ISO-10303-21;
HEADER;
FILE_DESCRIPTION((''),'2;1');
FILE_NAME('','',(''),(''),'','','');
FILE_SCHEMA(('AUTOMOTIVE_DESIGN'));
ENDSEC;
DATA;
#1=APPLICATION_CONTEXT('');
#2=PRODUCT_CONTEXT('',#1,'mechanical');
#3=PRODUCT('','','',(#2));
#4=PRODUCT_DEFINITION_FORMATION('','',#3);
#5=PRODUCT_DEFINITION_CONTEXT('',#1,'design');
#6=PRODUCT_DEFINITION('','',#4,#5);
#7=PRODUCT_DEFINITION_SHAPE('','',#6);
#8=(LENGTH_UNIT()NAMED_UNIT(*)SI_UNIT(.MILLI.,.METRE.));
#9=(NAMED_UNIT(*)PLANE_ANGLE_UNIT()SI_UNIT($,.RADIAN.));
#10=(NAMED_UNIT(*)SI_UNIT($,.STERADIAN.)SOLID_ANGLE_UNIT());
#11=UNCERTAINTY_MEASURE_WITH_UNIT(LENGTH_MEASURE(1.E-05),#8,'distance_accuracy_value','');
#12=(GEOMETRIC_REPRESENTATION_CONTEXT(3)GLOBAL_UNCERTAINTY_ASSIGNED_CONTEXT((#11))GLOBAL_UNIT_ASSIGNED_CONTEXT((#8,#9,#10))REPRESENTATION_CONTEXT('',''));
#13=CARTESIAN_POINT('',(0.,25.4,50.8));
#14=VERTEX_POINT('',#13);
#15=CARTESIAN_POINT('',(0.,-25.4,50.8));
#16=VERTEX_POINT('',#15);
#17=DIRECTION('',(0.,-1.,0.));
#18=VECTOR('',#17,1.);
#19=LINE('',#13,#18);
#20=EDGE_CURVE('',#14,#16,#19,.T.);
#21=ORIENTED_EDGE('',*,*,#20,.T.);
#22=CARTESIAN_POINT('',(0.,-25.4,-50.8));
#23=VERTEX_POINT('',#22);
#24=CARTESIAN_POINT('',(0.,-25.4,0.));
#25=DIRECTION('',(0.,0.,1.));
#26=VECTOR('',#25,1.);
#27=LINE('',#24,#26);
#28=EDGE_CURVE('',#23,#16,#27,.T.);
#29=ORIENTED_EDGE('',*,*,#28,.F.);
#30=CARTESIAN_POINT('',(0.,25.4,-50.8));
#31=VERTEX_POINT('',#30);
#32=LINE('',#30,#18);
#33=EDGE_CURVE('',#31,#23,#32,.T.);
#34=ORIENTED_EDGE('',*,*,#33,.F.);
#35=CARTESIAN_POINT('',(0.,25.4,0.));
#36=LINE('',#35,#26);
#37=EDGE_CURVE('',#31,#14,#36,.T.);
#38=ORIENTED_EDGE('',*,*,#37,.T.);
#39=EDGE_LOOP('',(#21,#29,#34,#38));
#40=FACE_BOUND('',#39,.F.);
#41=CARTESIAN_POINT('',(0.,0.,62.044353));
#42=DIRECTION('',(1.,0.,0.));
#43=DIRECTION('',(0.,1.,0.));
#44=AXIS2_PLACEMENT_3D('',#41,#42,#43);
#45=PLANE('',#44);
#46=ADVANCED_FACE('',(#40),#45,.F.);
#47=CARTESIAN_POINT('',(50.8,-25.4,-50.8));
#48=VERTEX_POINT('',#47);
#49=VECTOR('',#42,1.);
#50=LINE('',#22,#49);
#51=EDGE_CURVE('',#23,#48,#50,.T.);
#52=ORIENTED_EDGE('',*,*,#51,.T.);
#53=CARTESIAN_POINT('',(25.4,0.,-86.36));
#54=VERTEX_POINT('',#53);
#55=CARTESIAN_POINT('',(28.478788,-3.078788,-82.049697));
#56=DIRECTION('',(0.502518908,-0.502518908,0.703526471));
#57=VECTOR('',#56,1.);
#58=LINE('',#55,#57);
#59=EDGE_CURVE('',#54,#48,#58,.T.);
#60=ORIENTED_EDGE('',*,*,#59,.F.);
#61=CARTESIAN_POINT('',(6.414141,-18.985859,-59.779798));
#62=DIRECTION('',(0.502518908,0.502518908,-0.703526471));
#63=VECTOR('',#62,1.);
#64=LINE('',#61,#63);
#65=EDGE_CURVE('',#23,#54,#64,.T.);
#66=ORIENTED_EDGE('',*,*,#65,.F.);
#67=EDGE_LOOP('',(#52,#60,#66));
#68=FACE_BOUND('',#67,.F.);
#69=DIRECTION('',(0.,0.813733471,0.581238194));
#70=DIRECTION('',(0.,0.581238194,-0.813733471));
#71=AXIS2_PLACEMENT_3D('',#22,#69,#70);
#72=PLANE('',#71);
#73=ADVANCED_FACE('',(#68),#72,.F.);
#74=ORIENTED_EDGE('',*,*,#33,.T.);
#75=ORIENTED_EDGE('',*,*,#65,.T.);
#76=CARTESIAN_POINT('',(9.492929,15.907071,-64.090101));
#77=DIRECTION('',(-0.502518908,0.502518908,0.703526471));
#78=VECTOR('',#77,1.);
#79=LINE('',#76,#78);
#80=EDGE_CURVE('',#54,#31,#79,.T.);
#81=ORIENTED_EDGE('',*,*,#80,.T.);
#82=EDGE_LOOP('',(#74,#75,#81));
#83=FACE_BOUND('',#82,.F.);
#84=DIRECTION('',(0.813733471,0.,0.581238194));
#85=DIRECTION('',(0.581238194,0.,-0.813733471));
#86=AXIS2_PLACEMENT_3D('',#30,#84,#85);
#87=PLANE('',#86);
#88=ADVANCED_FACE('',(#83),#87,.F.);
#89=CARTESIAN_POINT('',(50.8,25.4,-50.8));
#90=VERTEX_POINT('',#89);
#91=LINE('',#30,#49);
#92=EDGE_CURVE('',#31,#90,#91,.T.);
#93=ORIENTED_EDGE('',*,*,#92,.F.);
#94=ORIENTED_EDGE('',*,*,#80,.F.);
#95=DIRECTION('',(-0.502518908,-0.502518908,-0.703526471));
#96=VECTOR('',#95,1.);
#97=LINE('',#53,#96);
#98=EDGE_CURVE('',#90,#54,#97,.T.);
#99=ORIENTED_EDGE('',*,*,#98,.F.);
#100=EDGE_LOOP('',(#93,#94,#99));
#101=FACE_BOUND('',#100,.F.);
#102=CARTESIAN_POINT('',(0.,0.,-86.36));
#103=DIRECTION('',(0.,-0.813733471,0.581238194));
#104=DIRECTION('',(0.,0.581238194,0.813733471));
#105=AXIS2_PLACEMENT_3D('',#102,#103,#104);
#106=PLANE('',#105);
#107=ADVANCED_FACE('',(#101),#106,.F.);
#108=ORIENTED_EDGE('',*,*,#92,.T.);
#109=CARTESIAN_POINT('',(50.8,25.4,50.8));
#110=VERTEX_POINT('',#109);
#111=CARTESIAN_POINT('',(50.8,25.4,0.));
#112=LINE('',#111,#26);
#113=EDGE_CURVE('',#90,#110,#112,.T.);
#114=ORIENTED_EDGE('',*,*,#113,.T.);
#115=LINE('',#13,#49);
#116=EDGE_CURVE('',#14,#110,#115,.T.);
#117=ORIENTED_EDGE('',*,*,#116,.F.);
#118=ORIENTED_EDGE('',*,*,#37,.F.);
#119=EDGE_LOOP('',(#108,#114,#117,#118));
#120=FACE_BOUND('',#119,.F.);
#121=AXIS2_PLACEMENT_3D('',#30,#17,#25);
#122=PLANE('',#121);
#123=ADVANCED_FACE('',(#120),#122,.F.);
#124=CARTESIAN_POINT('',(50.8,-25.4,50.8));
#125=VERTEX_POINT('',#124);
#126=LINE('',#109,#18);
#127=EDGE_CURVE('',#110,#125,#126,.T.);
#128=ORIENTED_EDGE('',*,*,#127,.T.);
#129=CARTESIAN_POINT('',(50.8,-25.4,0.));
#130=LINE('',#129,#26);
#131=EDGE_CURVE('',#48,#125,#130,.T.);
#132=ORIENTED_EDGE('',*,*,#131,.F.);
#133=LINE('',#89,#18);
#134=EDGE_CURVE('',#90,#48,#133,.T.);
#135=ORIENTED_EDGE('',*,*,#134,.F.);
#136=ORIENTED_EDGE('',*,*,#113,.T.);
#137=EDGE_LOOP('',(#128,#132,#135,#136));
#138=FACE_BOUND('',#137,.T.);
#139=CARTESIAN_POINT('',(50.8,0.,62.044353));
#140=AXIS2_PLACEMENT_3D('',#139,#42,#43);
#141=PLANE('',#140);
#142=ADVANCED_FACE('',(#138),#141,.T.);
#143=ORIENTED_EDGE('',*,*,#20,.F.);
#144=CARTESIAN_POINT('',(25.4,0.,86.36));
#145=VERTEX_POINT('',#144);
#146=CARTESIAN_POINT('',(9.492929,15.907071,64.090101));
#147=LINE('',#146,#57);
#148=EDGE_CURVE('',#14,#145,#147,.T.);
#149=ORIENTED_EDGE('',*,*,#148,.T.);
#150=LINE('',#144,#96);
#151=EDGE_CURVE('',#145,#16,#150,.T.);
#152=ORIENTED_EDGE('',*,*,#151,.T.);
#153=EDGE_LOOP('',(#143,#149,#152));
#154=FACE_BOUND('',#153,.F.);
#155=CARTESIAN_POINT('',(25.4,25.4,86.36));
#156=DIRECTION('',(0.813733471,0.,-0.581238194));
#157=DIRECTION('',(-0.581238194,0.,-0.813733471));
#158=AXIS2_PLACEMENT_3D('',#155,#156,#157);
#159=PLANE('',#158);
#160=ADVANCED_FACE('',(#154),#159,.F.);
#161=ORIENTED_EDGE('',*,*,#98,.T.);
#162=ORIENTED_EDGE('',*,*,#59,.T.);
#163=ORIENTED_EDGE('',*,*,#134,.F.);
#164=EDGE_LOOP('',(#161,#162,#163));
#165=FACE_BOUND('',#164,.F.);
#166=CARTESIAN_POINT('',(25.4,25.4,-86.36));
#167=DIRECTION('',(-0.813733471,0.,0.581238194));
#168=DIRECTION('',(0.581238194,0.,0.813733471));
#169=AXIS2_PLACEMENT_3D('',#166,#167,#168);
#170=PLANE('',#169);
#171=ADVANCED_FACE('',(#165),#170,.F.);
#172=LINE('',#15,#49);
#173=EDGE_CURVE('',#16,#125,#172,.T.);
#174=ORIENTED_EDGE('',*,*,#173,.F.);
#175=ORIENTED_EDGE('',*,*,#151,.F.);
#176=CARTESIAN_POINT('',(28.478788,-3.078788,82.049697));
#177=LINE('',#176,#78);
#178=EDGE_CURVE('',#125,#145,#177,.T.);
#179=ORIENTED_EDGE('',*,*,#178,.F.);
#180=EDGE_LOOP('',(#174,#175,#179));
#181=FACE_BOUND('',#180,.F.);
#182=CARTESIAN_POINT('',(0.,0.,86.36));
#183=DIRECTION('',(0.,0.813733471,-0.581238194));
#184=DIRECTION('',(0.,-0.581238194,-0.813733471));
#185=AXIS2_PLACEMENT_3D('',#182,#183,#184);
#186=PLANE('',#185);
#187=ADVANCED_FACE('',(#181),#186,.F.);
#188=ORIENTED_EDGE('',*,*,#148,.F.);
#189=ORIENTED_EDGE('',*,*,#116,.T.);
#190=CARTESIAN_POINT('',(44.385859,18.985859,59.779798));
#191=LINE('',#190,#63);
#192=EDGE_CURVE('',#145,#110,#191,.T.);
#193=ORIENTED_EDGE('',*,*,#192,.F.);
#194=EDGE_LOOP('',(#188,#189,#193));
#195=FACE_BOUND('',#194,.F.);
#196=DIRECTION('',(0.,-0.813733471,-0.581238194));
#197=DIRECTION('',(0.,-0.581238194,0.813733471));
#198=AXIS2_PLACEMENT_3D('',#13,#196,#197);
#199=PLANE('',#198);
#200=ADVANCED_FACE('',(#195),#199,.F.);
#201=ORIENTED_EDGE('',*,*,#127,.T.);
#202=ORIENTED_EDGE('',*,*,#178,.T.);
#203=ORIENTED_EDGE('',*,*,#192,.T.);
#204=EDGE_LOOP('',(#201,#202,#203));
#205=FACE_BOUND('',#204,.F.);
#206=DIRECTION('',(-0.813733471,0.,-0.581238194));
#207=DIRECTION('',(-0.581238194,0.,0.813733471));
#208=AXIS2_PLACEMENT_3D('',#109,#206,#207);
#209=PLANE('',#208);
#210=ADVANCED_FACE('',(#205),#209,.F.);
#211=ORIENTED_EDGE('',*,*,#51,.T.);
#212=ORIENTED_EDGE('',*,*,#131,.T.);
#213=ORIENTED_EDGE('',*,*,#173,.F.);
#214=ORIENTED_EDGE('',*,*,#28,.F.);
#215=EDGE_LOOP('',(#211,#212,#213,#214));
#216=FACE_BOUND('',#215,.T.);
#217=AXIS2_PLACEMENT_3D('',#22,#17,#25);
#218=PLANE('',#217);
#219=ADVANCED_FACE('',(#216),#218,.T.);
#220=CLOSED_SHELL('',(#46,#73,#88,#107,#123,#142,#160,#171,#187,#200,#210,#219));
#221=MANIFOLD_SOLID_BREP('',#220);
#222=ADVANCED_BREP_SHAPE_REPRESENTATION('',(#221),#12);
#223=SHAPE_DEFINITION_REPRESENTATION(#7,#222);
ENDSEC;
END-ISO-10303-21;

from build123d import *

# Parameters (mm, degrees)
F0_W     = 50.8
F0_H     = 101.6
F1_DEPTH = 50.8
F3_DEPTH = 50.8
F5_DEPTH = 50.8


with BuildPart() as f1:
    # F0 (on Right) → F1 (new body)
    with BuildSketch(Plane.YZ):
        Polygon((0, 86.36), (-25.4, 50.8), (25.4, 50.8), align=None)
        Rectangle(F0_W, F0_H)
        Polygon((25.4, -50.8), (-25.4, -50.8), (0, -86.36), align=None)
    extrude(amount=F1_DEPTH)

    # F2 (on face) → F3 (cut)
    with BuildSketch(Plane(origin=(0, 25.4, 0), x_dir=(-1, 0, 0), z_dir=(0, 1, 0))):
        Polygon((-50.8, 86.36), (-50.8, 50.8), (-25.4, 86.36), align=None)
        Polygon((-25.4, 86.36), (0, 50.8), (0, 86.36), align=None)
    extrude(amount=-F3_DEPTH, mode=Mode.SUBTRACT)

    # F4 (on face) → F5 (cut)
    with BuildSketch(Plane(origin=(0, 25.4, 0), x_dir=(-1, 0, 0), z_dir=(0, 1, 0))):
        Polygon((0, -86.36), (0, -50.8), (-25.4, -86.36), align=None)
        Polygon((-25.4, -86.36), (-50.8, -50.8), (-50.8, -86.36), align=None)
    extrude(amount=-F5_DEPTH, mode=Mode.SUBTRACT)


solid = f1.part
